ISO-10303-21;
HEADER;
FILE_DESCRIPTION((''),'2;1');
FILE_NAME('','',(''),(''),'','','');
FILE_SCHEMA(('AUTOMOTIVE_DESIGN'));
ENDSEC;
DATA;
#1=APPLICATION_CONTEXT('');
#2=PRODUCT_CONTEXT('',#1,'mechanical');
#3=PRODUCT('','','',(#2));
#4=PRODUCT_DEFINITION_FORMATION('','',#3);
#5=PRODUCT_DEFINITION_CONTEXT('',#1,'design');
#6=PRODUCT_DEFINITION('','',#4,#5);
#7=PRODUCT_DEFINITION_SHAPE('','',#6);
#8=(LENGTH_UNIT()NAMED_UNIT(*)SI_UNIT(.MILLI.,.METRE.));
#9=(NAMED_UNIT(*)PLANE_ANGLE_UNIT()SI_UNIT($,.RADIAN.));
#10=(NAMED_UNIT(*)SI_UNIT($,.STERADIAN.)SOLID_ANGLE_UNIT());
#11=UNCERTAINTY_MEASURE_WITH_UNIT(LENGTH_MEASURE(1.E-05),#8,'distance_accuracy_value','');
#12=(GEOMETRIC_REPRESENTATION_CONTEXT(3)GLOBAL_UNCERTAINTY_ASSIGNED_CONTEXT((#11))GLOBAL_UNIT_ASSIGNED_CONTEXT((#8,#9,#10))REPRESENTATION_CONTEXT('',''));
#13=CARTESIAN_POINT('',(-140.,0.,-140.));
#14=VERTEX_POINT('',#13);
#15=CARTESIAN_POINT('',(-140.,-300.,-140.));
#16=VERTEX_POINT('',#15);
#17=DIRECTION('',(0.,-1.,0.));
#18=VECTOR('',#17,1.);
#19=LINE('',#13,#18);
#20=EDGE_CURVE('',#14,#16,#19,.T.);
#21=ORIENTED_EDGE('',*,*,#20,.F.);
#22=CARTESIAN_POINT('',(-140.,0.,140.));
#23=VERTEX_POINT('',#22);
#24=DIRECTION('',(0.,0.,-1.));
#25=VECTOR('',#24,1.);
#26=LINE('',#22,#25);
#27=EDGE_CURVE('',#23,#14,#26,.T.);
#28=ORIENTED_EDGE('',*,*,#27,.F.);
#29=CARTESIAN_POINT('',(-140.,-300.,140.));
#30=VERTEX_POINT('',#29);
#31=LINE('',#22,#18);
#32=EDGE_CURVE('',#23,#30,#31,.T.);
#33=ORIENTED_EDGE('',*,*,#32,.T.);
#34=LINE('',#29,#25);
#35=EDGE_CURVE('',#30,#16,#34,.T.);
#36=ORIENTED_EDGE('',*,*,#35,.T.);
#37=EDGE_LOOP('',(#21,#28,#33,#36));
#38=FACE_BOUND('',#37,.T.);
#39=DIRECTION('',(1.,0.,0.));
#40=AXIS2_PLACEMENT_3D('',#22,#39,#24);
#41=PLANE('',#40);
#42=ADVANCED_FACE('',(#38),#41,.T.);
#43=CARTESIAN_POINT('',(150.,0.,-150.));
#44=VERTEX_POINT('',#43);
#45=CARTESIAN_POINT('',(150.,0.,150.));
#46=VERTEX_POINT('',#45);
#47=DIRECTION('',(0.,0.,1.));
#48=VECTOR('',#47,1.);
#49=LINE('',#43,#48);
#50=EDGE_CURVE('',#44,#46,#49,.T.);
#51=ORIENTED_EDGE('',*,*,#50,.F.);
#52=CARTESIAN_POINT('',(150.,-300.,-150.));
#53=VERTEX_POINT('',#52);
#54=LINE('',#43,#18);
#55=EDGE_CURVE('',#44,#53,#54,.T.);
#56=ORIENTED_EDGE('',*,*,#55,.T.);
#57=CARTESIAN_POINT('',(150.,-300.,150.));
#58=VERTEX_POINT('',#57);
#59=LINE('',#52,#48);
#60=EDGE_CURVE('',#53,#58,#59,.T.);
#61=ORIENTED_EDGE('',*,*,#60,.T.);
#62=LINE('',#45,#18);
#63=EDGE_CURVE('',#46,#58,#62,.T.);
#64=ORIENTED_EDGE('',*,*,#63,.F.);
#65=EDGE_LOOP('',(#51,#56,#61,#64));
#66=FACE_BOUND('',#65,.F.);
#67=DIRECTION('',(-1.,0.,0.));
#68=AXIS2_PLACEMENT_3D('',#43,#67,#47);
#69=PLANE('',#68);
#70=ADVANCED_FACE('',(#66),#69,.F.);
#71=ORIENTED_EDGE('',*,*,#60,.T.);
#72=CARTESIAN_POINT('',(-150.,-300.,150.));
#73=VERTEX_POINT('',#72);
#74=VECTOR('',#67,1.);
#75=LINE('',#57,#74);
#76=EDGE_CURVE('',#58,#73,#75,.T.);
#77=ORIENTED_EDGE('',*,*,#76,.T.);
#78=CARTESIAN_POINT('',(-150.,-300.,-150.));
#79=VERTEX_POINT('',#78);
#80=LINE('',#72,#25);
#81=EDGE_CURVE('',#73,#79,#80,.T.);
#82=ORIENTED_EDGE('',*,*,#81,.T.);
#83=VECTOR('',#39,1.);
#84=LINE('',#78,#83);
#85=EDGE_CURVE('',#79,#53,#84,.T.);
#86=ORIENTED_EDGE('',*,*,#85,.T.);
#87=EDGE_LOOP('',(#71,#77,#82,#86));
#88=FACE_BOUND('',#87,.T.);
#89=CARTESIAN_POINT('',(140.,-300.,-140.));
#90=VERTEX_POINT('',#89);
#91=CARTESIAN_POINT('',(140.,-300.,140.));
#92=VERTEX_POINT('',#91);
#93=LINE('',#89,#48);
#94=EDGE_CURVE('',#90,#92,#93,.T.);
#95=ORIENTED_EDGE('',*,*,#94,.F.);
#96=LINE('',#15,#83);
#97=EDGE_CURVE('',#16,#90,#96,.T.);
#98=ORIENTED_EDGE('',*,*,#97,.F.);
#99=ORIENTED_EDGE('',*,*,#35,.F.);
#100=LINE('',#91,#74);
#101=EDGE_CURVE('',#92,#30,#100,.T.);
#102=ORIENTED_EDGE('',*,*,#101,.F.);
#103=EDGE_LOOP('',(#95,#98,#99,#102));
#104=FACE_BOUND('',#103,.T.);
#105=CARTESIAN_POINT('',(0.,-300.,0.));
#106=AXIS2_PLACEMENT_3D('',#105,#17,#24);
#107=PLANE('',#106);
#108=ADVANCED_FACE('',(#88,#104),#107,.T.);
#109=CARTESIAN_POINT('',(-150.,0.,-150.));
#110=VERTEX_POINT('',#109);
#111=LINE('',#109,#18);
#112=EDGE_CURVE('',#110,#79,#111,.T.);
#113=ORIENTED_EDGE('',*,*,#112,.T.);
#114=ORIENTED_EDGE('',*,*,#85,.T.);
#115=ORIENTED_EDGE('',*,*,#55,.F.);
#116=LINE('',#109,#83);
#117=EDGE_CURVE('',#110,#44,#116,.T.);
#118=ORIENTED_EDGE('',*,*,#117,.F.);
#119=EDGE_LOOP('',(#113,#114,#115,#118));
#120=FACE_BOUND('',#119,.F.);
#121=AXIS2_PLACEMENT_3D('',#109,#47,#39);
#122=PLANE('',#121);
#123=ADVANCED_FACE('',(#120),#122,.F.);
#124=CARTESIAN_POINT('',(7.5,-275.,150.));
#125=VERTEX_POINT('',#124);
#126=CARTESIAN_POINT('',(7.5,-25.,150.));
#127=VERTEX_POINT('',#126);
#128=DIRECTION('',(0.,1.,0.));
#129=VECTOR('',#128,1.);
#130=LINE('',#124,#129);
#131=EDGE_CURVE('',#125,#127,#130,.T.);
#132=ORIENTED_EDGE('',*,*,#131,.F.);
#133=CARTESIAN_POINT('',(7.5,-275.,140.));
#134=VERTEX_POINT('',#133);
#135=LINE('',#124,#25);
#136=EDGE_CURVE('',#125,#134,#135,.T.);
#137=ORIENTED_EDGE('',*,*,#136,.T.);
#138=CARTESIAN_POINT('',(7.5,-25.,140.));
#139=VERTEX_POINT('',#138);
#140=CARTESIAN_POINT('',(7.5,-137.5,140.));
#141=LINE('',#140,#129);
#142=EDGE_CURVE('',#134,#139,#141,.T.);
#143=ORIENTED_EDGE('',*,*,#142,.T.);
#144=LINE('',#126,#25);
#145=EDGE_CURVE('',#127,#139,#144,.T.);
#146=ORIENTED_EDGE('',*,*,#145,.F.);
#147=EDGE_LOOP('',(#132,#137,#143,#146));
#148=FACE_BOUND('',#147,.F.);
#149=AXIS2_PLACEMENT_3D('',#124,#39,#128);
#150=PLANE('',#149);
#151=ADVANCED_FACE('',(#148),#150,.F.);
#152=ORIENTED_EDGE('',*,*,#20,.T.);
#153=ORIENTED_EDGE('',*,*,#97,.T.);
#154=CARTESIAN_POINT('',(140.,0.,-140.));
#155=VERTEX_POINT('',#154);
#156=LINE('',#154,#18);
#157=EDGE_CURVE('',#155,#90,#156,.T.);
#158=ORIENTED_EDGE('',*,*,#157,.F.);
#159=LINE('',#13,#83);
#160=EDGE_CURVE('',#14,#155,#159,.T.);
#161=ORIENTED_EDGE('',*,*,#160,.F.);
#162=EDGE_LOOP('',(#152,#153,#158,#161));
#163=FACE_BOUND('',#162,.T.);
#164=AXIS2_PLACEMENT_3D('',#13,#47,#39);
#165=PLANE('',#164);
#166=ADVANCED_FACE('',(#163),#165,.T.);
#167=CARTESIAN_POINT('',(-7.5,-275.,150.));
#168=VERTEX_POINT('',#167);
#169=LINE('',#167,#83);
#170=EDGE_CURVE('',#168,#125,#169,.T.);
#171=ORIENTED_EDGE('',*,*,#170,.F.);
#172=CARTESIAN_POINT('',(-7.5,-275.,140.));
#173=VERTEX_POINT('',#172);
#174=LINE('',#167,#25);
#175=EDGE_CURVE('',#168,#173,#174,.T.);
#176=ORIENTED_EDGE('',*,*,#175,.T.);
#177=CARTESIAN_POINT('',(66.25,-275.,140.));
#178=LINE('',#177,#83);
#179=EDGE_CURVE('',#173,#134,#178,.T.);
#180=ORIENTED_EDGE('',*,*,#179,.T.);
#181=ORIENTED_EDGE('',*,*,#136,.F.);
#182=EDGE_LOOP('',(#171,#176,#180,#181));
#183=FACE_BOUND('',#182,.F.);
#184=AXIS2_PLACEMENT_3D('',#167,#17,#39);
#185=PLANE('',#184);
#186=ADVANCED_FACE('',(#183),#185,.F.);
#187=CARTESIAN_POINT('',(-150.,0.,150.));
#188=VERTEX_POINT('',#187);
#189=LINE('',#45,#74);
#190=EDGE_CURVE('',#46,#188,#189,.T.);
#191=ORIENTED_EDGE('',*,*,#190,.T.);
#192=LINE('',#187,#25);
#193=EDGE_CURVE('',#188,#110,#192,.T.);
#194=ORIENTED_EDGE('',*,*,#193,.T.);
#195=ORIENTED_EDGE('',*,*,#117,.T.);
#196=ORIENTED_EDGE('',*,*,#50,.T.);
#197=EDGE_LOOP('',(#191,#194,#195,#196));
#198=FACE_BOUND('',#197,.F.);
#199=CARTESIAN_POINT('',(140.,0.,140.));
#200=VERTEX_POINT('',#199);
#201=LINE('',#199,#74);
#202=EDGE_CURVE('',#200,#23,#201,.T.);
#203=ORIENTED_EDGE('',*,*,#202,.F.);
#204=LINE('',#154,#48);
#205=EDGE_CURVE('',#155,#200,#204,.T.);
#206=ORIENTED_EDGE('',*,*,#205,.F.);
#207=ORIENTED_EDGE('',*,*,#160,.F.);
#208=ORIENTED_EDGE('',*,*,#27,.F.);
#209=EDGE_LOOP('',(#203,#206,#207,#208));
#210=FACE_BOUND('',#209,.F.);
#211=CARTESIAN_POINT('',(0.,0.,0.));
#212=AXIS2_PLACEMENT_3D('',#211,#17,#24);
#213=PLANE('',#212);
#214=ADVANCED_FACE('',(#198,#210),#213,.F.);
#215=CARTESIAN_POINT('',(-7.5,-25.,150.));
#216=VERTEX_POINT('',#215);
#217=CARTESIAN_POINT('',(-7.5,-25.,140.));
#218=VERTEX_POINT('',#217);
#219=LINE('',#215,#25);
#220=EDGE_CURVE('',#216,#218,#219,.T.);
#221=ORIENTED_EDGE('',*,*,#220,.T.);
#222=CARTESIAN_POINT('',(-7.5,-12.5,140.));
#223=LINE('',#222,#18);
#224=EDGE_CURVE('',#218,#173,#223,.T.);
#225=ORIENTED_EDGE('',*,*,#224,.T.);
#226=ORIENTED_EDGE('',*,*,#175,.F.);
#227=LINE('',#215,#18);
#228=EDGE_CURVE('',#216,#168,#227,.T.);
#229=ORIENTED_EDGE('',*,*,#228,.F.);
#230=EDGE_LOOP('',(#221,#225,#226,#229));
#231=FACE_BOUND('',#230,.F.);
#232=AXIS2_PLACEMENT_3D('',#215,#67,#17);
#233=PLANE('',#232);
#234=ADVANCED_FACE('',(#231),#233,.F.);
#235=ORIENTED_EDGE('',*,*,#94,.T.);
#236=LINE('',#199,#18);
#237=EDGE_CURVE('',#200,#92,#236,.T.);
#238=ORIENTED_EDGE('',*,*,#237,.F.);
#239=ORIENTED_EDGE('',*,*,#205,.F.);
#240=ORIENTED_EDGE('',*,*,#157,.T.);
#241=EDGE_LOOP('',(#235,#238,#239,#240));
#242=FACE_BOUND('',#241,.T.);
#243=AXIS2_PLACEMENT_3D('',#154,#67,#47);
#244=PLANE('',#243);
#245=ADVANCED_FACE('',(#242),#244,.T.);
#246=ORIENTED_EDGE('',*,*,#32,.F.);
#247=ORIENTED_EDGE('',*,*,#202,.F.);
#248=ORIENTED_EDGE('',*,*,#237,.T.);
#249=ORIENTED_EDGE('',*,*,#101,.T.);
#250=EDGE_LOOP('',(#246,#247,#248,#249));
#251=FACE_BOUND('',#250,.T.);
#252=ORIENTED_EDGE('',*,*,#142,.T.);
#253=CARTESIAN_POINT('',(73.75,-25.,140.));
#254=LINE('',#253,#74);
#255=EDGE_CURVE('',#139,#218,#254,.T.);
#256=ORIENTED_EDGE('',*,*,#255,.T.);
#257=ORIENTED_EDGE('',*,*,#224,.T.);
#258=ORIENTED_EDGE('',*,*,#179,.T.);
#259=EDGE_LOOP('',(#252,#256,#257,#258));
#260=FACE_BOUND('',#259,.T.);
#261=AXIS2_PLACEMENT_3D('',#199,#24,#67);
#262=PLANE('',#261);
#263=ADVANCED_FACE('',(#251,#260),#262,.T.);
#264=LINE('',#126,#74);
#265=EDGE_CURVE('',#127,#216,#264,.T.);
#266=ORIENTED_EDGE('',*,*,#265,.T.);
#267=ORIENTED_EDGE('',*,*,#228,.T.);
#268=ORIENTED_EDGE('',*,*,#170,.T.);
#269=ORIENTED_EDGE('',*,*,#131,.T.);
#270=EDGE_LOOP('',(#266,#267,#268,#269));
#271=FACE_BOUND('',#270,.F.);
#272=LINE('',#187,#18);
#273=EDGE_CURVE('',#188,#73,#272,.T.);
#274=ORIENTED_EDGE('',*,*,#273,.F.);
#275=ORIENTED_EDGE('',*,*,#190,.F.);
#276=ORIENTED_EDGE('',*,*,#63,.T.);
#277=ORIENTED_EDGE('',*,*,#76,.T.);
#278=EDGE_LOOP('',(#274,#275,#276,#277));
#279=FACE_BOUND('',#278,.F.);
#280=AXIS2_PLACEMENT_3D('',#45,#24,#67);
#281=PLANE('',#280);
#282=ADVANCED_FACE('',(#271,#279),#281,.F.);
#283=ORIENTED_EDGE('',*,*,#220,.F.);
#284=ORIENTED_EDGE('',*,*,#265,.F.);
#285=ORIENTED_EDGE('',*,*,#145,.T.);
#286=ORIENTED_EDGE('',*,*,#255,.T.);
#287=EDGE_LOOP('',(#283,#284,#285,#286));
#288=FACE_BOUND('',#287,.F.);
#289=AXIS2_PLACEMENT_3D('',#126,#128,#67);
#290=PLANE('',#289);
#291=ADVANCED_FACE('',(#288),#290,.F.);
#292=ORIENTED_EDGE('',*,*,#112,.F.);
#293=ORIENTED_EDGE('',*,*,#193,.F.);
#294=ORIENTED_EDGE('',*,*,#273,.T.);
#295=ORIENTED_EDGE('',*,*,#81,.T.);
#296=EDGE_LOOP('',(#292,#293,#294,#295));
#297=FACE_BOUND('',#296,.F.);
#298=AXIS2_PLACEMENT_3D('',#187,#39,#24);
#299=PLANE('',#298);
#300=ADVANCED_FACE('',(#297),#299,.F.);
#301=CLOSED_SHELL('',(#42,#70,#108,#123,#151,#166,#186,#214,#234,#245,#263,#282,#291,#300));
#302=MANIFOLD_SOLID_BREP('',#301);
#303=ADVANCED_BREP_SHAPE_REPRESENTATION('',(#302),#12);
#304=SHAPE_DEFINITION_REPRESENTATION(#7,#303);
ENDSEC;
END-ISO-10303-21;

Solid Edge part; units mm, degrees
sketch "Sketch1" plane through (0, 0, 0) normal (0, -1, 0) x (1, 0, 0)
  line L0 (140, -140) -> (140, 140)
  line L1 (140, 140) -> (-140, 140)
  line L2 (-140, 140) -> (-140, -140)
  line L3 (-140, -140) -> (140, -140)
  line L4 (150, -150) -> (150, 150)
  line L5 (150, 150) -> (-150, 150)
  line L6 (-150, 150) -> (-150, -150)
  line L7 (-150, -150) -> (150, -150)
  dimension "D1" = 300
  dimension "D2" = 280
  dimension "D3" = 300
  dimension "D4" = 280
extrude "Protrusion1" add sketch "Sketch1" along normal blind 300
sketch "Sketch2" plane through (0, -150, 150) normal (0, 0, 1) x (1, 0, 0)
  line L0 (7.5, -125) -> (7.5, 125)
  line L1 (7.5, 125) -> (-7.5, 125)
  line L2 (-7.5, 125) -> (-7.5, -125)
  line L3 (-7.5, -125) -> (7.5, -125)
extrude "Cutout1" cut sketch "Sketch2" against normal up to next
